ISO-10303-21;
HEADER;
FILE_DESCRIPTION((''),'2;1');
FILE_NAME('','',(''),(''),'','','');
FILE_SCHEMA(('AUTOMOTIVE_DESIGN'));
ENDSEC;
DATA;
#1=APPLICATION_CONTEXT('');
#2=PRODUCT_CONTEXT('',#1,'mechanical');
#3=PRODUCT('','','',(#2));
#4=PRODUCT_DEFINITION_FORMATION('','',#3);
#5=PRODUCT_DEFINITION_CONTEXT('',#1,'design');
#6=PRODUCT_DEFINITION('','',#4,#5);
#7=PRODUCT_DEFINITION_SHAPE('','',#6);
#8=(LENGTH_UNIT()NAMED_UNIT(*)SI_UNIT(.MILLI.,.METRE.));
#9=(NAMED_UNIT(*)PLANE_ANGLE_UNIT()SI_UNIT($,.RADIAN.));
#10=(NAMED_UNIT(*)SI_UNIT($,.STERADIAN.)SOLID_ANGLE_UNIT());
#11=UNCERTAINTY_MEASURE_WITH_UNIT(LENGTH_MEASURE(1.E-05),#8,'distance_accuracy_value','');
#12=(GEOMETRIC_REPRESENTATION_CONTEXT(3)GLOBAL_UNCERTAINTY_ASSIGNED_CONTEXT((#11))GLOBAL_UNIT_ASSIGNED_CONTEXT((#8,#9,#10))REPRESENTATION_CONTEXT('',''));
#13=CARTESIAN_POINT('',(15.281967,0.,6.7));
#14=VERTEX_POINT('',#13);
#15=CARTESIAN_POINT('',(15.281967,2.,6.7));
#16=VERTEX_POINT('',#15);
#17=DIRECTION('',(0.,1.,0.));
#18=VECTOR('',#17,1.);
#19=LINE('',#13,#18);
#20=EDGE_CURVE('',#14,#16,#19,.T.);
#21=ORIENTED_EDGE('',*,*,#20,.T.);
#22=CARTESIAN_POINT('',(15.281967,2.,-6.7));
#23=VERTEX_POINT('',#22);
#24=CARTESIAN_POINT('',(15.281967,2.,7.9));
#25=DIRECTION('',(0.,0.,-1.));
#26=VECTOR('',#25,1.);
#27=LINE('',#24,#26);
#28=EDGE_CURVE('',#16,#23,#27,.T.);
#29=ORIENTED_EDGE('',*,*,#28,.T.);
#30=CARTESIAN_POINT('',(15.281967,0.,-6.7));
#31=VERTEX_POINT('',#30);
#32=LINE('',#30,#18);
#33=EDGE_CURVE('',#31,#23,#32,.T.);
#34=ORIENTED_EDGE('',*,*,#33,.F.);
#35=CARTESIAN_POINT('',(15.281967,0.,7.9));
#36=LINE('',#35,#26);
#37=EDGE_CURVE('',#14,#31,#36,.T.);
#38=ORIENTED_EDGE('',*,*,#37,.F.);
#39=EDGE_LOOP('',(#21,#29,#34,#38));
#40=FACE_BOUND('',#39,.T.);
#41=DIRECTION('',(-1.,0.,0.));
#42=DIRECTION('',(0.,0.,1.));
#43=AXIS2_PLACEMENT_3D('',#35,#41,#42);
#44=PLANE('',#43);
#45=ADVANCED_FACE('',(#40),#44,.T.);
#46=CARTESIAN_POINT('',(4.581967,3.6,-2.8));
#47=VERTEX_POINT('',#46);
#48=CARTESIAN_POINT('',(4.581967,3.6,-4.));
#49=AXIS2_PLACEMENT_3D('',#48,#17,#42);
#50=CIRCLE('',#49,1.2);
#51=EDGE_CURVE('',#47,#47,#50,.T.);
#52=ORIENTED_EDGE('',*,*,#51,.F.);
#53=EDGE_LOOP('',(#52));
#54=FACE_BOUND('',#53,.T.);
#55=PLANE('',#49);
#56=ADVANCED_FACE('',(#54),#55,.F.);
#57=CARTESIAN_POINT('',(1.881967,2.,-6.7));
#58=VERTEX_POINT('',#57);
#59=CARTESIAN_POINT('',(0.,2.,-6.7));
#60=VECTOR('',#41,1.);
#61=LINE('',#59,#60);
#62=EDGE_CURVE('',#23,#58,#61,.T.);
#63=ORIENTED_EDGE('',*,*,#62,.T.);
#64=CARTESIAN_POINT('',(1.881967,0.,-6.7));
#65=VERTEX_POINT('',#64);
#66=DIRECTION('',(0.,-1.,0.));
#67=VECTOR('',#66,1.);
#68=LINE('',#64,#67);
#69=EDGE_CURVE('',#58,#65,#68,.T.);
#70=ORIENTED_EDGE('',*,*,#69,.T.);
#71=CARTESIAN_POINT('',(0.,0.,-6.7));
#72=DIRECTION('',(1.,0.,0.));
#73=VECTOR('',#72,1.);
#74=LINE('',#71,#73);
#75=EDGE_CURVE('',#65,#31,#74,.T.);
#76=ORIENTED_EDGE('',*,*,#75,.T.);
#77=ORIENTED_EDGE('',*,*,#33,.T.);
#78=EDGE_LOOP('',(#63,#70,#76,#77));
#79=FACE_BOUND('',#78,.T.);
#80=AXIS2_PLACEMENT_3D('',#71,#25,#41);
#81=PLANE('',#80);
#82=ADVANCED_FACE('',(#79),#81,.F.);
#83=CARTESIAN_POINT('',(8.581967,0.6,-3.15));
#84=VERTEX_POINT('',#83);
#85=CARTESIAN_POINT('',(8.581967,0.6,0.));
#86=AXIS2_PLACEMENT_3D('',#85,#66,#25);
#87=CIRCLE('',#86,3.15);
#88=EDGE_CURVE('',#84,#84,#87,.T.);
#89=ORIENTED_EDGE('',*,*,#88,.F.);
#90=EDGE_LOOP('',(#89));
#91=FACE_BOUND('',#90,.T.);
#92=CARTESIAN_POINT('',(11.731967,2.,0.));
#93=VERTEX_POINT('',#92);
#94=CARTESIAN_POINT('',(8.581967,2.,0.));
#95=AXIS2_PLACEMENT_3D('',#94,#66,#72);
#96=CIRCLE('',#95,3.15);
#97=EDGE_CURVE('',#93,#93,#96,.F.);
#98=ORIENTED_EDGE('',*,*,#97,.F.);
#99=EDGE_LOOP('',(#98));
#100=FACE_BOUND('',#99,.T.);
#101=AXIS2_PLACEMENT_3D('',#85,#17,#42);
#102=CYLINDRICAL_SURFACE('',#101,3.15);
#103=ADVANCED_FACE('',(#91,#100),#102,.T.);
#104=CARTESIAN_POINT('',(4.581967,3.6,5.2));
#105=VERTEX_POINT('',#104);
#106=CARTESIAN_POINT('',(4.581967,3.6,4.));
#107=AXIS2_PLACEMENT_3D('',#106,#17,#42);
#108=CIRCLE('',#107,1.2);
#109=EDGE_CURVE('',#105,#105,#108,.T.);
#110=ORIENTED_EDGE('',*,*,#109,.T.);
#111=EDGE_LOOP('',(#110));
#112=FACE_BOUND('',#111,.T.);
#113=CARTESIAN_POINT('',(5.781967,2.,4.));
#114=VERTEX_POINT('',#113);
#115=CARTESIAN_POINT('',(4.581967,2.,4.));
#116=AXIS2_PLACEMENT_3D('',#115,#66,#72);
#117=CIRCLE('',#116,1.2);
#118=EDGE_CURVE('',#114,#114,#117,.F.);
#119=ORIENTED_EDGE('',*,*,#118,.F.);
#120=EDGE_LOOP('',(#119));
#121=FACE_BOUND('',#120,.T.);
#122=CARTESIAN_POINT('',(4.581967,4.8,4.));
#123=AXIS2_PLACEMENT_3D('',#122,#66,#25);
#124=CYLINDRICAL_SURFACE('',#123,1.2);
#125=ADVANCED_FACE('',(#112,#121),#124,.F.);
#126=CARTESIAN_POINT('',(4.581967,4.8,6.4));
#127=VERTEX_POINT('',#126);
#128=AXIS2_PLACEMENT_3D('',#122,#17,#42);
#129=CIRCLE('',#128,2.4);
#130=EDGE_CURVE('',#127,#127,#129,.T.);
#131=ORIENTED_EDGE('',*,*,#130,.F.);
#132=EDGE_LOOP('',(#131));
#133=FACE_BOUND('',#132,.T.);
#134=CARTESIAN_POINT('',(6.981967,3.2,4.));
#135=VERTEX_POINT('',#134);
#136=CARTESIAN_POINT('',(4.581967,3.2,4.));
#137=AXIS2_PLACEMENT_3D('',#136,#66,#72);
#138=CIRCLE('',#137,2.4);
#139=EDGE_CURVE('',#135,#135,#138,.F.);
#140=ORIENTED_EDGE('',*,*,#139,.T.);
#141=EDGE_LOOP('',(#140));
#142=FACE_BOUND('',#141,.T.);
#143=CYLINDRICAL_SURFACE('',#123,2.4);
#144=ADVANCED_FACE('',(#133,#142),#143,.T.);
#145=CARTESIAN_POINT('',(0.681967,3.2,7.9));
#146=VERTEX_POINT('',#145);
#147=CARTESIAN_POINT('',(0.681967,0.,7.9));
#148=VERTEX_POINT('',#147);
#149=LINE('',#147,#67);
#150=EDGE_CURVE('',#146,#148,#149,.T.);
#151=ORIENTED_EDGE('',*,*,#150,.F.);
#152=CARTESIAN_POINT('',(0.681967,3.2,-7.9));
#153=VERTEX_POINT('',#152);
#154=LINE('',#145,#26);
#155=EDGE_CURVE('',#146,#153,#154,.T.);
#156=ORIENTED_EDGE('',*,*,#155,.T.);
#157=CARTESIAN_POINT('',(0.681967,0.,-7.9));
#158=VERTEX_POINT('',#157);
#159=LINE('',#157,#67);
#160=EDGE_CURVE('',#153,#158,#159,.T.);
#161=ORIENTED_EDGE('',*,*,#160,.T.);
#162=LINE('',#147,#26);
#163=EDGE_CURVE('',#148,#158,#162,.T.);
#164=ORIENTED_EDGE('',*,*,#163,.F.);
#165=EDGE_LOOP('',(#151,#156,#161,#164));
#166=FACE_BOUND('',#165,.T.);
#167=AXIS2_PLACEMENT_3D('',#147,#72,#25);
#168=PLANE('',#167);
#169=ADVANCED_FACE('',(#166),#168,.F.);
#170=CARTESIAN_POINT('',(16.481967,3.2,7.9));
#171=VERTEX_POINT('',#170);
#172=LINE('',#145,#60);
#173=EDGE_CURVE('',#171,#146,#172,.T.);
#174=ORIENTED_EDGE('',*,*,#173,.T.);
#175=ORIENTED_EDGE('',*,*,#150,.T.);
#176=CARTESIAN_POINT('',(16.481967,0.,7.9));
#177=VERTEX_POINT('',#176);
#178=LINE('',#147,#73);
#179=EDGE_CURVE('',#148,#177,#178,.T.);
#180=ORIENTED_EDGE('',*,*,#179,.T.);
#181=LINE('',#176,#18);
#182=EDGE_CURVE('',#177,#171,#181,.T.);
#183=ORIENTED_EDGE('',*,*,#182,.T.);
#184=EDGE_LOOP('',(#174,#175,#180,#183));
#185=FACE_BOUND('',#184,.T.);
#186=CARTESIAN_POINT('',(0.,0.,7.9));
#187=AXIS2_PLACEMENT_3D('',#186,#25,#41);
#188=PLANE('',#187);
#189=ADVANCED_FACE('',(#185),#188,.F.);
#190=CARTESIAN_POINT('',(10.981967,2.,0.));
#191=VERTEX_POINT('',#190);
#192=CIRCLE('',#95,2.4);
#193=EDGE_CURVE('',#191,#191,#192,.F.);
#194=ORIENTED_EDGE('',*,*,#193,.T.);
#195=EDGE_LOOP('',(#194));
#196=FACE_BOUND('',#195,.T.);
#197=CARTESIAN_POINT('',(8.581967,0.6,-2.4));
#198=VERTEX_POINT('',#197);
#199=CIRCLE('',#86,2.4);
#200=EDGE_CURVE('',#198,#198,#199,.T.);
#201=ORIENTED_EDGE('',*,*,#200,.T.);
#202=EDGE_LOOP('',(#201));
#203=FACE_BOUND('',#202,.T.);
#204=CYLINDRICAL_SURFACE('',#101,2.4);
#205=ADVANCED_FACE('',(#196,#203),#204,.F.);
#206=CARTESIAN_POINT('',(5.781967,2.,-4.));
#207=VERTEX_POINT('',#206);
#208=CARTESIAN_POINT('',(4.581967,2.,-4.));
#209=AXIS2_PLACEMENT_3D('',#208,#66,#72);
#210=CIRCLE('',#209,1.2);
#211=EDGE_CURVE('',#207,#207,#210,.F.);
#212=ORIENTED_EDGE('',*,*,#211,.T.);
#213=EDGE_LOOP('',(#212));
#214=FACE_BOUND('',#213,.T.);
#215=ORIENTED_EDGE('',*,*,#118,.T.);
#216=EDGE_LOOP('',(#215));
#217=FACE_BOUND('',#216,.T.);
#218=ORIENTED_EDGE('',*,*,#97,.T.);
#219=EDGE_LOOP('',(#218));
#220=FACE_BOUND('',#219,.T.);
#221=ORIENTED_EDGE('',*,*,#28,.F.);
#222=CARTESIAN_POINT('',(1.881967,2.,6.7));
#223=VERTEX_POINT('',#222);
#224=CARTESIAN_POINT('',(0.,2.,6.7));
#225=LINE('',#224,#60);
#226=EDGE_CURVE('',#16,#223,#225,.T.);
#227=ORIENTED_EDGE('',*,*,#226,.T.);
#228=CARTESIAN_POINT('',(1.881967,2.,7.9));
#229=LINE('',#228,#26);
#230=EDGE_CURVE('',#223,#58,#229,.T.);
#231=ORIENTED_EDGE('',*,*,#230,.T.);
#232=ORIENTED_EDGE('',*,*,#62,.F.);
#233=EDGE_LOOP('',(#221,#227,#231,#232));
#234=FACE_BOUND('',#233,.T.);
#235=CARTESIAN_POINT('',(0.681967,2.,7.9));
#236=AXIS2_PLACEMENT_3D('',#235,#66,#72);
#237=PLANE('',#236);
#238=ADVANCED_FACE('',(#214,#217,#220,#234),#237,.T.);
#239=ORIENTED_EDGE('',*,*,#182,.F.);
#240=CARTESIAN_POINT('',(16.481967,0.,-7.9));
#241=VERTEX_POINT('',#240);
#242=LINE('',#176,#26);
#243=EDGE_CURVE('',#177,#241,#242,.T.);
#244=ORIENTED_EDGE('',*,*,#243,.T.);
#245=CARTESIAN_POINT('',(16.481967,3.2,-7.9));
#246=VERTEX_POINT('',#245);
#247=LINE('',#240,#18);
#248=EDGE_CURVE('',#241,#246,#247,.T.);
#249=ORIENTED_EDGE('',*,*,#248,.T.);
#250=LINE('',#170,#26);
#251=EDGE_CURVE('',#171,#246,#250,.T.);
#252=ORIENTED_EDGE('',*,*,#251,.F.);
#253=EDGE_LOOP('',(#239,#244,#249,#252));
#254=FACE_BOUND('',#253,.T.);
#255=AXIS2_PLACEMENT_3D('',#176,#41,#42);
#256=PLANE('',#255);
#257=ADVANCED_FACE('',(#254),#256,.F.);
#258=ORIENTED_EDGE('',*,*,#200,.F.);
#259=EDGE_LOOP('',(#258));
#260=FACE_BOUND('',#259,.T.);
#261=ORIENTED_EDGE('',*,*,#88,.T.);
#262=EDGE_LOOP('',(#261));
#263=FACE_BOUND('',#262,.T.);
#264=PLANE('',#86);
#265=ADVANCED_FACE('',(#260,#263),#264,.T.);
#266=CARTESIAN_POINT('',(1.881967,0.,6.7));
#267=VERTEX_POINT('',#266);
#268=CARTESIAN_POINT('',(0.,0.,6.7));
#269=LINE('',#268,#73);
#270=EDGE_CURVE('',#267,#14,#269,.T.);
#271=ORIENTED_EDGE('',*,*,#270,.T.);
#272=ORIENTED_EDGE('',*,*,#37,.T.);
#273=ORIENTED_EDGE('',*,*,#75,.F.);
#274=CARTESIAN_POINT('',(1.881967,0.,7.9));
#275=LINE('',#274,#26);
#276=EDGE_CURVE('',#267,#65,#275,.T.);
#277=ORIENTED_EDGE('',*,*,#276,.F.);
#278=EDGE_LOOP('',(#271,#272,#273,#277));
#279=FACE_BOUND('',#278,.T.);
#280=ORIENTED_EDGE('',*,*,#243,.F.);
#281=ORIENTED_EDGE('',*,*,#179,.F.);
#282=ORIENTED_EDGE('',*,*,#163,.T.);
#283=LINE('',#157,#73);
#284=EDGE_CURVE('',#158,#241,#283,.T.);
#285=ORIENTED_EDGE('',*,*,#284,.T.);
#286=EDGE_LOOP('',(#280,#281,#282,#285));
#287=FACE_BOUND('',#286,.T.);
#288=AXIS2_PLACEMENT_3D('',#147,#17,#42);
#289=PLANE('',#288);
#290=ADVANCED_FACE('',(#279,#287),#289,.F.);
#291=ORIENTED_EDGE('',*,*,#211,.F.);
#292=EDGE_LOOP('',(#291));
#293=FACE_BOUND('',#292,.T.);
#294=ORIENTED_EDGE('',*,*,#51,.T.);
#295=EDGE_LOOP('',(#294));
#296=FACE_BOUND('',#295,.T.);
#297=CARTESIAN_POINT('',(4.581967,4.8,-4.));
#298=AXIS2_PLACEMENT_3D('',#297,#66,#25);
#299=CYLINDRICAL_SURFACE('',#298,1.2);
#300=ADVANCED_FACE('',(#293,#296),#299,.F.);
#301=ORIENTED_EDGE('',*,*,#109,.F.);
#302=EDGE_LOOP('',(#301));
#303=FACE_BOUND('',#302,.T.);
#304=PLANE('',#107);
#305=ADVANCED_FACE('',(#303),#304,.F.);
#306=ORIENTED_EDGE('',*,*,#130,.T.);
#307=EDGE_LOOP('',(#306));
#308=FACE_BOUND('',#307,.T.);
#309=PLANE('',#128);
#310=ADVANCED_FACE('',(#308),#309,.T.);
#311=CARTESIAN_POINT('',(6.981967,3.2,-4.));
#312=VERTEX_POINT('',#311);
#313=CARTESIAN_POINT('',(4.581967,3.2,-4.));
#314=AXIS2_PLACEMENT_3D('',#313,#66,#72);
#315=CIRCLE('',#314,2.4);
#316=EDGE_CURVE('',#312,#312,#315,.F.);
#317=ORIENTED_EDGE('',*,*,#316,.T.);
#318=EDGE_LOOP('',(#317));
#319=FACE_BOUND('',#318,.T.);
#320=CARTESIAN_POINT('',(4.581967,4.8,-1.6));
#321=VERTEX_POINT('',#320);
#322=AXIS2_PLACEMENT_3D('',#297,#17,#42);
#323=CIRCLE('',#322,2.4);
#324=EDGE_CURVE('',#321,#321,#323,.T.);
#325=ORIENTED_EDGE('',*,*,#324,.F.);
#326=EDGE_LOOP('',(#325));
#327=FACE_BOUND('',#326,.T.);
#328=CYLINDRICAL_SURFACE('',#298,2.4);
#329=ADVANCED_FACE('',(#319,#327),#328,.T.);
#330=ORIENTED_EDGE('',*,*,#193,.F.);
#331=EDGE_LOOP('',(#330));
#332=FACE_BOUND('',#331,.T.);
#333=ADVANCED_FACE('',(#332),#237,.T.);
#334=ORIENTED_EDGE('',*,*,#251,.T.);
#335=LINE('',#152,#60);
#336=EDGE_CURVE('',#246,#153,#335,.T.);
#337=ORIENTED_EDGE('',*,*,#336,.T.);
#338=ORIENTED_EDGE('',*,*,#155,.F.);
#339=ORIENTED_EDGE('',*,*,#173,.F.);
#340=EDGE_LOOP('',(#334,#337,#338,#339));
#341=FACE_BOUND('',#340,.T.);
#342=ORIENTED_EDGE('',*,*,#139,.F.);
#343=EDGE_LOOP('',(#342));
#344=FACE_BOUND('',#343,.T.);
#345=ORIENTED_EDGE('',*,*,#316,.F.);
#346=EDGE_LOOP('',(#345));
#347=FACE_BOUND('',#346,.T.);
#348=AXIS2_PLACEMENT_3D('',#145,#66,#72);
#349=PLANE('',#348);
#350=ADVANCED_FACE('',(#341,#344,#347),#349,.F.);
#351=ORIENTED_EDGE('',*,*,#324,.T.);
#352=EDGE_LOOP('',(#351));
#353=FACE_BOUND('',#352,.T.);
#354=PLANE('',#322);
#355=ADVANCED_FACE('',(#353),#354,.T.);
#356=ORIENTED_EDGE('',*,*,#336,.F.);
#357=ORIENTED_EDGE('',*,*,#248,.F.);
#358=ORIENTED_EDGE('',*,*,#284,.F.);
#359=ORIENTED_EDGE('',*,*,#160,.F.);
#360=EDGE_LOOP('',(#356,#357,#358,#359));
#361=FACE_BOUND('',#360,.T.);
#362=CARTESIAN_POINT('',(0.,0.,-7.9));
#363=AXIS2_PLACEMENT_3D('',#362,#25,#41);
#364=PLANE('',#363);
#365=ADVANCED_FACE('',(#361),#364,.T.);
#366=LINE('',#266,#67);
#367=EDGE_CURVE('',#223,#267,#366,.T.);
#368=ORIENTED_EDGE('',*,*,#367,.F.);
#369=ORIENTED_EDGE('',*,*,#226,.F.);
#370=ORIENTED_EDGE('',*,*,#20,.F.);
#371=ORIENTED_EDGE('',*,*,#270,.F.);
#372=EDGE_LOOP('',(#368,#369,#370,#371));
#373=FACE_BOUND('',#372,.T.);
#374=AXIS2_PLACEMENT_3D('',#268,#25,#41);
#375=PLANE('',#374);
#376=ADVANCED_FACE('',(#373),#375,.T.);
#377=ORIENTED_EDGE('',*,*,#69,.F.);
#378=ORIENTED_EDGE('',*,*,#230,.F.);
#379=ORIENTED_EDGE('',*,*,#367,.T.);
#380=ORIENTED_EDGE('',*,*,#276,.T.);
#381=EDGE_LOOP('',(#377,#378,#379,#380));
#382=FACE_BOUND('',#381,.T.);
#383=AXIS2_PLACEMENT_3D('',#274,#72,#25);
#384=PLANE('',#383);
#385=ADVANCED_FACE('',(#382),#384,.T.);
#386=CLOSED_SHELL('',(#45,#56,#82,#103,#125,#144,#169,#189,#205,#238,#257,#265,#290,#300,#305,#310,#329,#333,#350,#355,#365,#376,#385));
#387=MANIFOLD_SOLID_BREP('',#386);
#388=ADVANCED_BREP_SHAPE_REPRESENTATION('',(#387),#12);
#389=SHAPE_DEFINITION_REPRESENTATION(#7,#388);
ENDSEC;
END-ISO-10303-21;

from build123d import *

# Parameters (mm, degrees)
MAINBASESKETCH_W          = 15.8
MAINBASESKETCH_H          = 3.2
MAINBASEEXTRUDE_DEPTH     = 7.9
STUDSSKETCH_R             = 2.4
STUDSEXTRUDE_DEPTH        = 1.6
STUDSPATTERN_COUNT        = 2
STUDSPATTERN_PITCH        = 8
MAINBASESHELL_T           = -1.2
UNDERSIDECIRCLEEXT_START  = -0.2
UNDERSIDECIRCLESKETCH_R   = 3.15
UNDERSIDECIRCLESKETCH_R_2 = 2.4
UNDERSIDECIRCLEEXT_DEPTH  = 1.6


with BuildPart() as part:
    # MainBaseSketch → MainBaseExtrude (new, symmetric)
    with BuildSketch(Plane.XY):
        with Locations((8.581967213, 1.6)):
            Rectangle(MAINBASESKETCH_W, MAINBASESKETCH_H)
    extrude(amount=MAINBASEEXTRUDE_DEPTH, both=True)

    # StudsSketch → StudsExtrude (add)
    with BuildSketch(Plane(origin=(0, 3.2, 0), x_dir=(1, 0, 0), z_dir=(0, 1, 0))):
        with Locations((4.581967213, 4)):
            Circle(STUDSSKETCH_R)
    studsextrude = extrude(amount=STUDSEXTRUDE_DEPTH)

    # StudsPattern: StudsExtrude ×2
    with Locations(*[(0, 0, i * STUDSPATTERN_PITCH) for i in range(1, STUDSPATTERN_COUNT)]):
        add(studsextrude)

    # MainBaseShell
    mainbaseshell_openings = [part.faces().sort_by_distance(p)[0] for p in [
        (8.581967213, 0, 0),
    ]]
    offset(amount=MAINBASESHELL_T, openings=mainbaseshell_openings, kind=Kind.INTERSECTION)

    # UnderSideCircleSketch → UnderSideCircleExt (add)
    with BuildSketch(Plane.XZ.offset(-2).offset(UNDERSIDECIRCLEEXT_START)):
        with Locations((8.581967213, 0)):
            Circle(UNDERSIDECIRCLESKETCH_R)
        with Locations((8.581967213, 0)):
            Circle(UNDERSIDECIRCLESKETCH_R_2, mode=Mode.SUBTRACT)
    extrude(amount=UNDERSIDECIRCLEEXT_DEPTH)


solid = part.part
